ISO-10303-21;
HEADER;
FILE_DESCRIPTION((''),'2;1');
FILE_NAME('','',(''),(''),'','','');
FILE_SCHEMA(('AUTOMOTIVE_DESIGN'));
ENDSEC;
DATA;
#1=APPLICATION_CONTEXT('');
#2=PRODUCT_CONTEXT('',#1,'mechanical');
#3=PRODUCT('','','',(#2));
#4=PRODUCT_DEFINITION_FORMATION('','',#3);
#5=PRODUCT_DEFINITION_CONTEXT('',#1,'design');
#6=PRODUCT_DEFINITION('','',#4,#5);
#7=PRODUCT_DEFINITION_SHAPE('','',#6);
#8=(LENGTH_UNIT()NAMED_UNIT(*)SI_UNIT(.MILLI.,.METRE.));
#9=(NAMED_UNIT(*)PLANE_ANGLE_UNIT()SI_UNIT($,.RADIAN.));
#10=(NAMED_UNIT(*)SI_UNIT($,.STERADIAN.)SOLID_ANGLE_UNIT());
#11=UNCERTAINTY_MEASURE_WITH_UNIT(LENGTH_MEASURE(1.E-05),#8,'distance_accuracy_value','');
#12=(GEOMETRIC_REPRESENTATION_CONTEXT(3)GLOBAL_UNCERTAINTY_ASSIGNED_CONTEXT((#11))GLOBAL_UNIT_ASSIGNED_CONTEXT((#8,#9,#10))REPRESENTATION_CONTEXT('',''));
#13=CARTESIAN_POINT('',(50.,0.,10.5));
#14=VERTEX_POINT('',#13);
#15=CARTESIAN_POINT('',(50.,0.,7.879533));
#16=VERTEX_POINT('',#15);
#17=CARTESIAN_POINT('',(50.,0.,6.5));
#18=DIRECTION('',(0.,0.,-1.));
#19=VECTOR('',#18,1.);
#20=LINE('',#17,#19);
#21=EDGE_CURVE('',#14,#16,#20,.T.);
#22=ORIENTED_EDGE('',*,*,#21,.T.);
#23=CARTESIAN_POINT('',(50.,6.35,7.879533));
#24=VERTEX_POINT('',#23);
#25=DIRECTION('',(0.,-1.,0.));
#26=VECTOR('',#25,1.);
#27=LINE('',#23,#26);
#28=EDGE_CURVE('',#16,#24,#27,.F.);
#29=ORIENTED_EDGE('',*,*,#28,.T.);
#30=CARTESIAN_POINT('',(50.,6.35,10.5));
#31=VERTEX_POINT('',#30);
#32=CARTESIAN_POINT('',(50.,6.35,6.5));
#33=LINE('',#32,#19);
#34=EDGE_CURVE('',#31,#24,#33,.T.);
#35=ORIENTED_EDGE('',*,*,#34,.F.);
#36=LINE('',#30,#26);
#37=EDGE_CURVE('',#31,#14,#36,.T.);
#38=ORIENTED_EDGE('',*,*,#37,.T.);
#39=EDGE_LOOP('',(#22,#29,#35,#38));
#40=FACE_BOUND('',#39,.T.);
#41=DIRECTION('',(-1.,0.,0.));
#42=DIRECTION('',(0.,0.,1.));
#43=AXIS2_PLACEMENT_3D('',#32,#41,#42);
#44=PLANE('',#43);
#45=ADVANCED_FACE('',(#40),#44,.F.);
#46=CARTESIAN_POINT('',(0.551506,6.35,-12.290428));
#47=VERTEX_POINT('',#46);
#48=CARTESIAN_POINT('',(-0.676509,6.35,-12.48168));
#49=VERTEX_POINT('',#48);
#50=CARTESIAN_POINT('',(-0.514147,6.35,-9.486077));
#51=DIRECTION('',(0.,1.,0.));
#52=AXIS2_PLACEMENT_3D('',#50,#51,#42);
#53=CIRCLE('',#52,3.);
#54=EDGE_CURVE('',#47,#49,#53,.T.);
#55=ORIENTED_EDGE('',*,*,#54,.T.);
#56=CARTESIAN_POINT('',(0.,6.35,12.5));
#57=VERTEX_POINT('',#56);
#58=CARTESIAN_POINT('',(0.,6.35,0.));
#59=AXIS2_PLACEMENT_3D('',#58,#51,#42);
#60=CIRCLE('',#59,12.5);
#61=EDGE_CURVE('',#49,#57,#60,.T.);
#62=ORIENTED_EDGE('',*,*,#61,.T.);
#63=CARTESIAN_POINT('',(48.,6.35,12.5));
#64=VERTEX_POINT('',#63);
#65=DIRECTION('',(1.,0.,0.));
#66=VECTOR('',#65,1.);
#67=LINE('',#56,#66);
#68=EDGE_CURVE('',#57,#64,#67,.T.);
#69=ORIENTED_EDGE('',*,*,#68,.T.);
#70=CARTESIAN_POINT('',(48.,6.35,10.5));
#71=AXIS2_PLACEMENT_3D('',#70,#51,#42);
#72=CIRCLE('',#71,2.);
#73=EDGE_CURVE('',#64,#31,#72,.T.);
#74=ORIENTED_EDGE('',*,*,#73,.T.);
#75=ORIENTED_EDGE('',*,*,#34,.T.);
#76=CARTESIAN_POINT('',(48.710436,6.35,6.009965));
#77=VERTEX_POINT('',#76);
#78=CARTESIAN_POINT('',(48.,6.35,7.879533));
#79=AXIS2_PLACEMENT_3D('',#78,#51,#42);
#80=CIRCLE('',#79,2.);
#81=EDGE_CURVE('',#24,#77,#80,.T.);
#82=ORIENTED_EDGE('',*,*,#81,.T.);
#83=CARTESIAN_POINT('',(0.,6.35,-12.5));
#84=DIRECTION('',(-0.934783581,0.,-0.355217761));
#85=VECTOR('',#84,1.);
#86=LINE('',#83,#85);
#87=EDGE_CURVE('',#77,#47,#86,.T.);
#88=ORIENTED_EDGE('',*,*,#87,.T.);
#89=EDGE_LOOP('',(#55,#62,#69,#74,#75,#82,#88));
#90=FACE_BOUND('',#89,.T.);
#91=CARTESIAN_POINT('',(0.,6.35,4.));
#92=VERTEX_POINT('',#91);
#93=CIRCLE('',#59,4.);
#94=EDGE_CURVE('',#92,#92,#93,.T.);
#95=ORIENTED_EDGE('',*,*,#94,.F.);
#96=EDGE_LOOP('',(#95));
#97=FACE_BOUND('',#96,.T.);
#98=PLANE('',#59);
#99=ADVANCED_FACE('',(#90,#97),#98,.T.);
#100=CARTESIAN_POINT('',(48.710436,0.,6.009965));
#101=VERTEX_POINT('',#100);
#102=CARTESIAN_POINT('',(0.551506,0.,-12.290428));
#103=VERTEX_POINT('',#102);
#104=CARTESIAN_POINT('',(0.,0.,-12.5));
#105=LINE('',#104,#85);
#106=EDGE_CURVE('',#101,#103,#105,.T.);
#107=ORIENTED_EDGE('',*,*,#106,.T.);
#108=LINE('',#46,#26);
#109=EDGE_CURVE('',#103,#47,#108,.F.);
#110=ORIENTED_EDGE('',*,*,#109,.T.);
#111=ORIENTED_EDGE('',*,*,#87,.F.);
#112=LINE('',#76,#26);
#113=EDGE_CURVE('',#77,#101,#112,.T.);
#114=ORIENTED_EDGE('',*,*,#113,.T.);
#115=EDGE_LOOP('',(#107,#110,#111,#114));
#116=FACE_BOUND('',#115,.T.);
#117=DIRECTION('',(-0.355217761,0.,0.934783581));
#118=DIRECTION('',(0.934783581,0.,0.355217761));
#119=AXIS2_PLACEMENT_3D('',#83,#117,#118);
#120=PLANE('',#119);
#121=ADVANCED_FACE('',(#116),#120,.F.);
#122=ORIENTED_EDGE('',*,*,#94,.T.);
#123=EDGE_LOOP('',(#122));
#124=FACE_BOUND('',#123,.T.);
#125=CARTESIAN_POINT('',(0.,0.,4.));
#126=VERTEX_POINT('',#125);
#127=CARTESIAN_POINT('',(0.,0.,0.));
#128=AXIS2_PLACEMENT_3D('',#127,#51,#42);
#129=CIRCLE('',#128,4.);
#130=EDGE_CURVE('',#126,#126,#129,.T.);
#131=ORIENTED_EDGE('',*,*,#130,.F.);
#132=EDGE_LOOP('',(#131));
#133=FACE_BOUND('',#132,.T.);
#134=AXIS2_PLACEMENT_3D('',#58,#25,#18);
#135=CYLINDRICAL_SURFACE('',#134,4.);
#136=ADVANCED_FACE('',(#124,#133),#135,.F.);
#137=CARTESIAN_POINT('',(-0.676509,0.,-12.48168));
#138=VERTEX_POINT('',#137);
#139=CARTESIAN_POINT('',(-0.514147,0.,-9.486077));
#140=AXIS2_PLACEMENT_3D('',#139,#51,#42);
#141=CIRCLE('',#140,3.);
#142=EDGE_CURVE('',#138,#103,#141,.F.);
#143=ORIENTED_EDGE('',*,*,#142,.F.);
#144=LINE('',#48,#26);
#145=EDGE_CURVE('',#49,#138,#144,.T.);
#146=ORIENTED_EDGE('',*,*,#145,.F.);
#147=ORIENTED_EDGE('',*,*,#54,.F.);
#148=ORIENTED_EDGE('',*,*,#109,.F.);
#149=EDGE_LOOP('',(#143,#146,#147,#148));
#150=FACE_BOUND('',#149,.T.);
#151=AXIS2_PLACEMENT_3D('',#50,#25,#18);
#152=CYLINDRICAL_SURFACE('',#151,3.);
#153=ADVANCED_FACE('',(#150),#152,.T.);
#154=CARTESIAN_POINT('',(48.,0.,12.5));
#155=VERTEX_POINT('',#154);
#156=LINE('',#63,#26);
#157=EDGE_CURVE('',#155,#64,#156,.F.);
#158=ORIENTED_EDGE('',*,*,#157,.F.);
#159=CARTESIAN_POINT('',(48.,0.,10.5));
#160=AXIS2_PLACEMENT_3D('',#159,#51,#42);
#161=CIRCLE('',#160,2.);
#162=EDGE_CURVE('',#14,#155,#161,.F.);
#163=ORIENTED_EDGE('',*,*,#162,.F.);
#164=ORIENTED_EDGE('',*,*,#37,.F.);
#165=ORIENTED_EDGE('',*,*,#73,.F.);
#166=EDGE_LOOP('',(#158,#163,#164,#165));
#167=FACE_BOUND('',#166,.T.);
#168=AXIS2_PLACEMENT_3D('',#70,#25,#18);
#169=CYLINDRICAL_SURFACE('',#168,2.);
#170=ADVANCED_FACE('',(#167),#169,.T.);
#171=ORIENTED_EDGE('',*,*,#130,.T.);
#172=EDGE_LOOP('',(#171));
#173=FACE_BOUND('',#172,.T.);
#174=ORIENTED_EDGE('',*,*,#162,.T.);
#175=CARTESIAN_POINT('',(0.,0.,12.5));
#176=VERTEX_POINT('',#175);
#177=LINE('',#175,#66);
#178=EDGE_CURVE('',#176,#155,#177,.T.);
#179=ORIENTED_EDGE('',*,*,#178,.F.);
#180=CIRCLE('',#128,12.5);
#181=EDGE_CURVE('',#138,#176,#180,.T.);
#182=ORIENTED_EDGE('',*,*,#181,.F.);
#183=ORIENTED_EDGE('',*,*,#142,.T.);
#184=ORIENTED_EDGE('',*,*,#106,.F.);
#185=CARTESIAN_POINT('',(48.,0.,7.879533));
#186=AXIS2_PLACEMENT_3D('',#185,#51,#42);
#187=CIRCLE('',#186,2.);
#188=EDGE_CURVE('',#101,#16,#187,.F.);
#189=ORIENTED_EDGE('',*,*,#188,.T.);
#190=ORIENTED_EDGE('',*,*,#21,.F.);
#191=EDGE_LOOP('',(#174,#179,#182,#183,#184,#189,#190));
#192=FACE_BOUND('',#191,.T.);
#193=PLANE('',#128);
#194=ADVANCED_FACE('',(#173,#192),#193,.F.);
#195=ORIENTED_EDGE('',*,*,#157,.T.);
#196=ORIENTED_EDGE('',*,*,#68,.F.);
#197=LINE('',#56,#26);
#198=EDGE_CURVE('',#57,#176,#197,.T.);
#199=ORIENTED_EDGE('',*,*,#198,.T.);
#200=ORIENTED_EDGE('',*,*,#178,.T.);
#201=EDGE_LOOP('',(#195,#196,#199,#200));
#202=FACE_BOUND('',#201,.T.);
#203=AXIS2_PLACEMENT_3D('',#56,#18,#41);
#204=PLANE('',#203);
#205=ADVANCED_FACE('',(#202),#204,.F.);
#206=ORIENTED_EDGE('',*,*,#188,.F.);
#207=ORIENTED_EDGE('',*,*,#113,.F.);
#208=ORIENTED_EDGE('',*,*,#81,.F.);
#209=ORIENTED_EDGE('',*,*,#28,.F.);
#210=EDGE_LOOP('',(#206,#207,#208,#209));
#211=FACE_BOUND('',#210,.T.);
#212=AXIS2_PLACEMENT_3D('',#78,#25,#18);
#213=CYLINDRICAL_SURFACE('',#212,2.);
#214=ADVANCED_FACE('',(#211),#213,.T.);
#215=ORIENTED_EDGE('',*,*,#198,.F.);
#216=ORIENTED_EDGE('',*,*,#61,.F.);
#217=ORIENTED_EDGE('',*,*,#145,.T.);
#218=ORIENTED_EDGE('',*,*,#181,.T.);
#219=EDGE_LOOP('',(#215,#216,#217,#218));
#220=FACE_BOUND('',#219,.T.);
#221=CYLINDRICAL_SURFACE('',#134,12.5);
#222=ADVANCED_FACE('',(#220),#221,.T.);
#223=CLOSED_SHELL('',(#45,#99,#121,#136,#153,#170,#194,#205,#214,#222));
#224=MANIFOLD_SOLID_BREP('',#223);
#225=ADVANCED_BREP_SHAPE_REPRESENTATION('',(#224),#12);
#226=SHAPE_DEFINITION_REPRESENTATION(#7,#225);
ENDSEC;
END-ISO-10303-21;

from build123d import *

# Parameters (mm, degrees)
SKETCH1_R           = 4
BOSS_EXTRUDE1_DEPTH = 6.35
FILLET1_R           = 2
FILLET2_R           = 3


with BuildPart() as part:
    # Sketch1 → Boss-Extrude1 (new body)
    with BuildSketch(Plane(origin=(0, 0, 0), x_dir=(1, 0, 0), z_dir=(0, 1, 0))):
        with BuildLine():
            Line((0, -12.5), (50, -12.5))
            Line((50, -12.5), (50, -6.5))
            Line((50, -6.5), (0, 12.5))
            ThreePointArc((0, 12.5), (-12.5, 0), (0, -12.5))
        make_face()
        with Locations(Location((0, 0, 0), (0, 0, 270))):
            Circle(SKETCH1_R, mode=Mode.SUBTRACT)
    extrude(amount=BOSS_EXTRUDE1_DEPTH)

    # Fillet1
    fillet1_edges = [part.edges().sort_by_distance(p)[0] for p in [
        (50, 3.175, 6.5),
        (50, 3.175, 12.5),
    ]]
    fillet(fillet1_edges, radius=FILLET1_R)

    # Fillet2
    fillet2_edges = [part.edges().sort_by_distance(p)[0] for p in [
        (0, 3.175, -12.5),
    ]]
    fillet(fillet2_edges, radius=FILLET2_R)


solid = part.part
